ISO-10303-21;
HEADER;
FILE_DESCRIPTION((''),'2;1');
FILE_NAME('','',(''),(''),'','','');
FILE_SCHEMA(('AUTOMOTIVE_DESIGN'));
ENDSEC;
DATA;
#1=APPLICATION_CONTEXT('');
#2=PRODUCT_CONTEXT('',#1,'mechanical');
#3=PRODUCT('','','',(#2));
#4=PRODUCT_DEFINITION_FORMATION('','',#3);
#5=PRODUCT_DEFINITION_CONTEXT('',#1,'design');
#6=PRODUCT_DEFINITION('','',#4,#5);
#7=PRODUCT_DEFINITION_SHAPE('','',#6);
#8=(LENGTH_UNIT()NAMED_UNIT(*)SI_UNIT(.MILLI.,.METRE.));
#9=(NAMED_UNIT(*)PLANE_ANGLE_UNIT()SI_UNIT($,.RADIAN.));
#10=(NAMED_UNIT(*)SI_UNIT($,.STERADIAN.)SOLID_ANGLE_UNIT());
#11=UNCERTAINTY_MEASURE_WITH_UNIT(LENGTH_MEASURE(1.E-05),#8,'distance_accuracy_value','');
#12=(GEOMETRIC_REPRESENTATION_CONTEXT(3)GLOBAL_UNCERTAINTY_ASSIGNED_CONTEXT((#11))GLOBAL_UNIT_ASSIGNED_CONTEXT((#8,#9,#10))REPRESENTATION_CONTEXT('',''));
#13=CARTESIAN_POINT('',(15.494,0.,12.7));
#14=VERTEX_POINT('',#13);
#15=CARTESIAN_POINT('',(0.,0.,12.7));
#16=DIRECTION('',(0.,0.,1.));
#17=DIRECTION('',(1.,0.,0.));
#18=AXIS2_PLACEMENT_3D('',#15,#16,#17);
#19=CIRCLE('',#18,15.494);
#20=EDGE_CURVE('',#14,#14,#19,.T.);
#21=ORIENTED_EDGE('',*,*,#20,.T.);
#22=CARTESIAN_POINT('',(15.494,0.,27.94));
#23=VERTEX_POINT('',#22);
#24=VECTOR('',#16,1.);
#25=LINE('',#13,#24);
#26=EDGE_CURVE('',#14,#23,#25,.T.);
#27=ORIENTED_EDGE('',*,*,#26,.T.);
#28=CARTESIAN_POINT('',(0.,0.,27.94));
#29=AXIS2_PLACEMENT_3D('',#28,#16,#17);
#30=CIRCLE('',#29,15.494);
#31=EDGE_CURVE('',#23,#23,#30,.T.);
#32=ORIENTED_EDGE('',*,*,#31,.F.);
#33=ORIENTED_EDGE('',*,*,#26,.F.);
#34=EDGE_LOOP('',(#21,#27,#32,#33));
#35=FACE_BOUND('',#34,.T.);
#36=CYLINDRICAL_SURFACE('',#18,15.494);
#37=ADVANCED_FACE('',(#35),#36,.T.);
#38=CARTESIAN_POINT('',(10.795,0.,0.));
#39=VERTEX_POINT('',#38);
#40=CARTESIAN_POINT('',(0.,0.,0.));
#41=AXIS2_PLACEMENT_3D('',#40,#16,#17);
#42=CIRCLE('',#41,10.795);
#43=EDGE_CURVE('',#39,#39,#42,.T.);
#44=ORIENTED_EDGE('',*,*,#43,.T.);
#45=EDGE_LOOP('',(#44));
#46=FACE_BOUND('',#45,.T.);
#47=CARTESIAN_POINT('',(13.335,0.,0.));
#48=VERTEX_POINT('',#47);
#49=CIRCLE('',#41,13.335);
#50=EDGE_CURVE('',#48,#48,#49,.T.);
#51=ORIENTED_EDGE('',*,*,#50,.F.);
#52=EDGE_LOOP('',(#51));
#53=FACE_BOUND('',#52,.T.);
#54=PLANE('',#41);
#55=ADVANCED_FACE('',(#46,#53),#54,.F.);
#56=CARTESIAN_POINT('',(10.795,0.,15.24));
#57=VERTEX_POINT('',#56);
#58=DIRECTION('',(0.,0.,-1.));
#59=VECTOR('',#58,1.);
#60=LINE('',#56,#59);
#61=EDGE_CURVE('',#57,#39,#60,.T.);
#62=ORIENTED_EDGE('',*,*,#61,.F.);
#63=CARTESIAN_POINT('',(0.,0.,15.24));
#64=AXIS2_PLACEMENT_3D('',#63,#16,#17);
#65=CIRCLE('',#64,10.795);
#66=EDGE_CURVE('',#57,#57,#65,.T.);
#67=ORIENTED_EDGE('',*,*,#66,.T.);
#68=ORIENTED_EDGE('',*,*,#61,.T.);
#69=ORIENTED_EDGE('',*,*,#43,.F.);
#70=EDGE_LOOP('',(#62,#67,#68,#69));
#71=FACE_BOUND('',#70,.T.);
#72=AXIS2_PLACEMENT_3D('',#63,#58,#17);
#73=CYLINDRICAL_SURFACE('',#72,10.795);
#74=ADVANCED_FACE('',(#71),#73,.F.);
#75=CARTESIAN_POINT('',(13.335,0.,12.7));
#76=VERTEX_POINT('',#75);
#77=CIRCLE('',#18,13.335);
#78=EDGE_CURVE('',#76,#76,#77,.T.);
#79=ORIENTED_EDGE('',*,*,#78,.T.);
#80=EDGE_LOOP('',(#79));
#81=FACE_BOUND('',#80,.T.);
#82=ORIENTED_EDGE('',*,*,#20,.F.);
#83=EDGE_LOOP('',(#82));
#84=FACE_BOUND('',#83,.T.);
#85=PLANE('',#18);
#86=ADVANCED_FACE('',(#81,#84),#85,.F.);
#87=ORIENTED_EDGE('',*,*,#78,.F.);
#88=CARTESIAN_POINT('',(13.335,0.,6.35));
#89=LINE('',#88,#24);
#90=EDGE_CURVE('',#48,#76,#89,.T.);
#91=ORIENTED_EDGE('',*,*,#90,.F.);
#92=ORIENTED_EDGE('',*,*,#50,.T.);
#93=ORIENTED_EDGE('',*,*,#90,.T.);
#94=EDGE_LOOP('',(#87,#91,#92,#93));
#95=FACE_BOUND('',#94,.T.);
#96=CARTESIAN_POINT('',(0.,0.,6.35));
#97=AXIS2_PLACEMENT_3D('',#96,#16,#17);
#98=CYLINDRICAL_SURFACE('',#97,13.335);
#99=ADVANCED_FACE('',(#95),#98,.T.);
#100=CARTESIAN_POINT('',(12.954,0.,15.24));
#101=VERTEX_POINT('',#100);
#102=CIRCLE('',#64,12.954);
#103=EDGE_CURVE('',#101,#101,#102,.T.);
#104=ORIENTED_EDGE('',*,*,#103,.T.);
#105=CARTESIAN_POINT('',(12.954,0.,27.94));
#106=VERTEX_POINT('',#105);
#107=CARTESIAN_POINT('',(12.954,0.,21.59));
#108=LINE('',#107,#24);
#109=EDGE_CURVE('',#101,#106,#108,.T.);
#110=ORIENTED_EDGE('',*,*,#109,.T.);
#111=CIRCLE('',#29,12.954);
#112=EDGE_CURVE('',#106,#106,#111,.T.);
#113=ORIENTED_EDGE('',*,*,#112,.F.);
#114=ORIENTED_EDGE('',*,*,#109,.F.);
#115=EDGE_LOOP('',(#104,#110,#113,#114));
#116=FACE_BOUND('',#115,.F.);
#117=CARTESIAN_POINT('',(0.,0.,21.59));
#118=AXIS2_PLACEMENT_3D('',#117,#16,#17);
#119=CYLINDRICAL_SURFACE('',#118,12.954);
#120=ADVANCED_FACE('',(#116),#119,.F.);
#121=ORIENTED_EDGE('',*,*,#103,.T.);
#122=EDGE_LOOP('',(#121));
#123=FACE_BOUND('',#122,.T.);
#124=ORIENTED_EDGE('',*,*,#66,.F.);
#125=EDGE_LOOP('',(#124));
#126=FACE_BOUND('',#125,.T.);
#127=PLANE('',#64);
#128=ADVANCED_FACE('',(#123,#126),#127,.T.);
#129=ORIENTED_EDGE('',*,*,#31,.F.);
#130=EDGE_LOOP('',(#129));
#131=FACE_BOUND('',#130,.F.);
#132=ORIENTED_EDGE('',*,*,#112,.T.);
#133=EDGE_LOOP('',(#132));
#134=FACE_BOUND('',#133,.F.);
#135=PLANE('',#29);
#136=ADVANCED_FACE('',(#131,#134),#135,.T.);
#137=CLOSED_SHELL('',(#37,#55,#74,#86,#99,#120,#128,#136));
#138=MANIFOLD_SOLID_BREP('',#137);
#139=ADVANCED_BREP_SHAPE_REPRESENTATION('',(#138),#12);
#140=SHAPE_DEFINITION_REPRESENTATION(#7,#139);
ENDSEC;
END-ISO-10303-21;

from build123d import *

# Parameters (mm, degrees)
F0_W = 2.54
F0_H = 12.7


with BuildPart() as f1:
    # F0 (on Front) → F1 (revolve)
    with BuildSketch(Plane.XZ):
        with Locations((14.224, 21.59)):
            Rectangle(F0_W, F0_H)
        Polygon((10.795, 15.24), (10.795, 12.7), (13.335, 12.7), (15.494, 12.7), (15.494, 15.24), (12.954, 15.24), align=None)
        with Locations((12.065, 6.35)):
            Rectangle(F0_W, F0_H)
    revolve(axis=Axis((0, 0, 12.892376), (0, 0, 1)))


solid = f1.part
